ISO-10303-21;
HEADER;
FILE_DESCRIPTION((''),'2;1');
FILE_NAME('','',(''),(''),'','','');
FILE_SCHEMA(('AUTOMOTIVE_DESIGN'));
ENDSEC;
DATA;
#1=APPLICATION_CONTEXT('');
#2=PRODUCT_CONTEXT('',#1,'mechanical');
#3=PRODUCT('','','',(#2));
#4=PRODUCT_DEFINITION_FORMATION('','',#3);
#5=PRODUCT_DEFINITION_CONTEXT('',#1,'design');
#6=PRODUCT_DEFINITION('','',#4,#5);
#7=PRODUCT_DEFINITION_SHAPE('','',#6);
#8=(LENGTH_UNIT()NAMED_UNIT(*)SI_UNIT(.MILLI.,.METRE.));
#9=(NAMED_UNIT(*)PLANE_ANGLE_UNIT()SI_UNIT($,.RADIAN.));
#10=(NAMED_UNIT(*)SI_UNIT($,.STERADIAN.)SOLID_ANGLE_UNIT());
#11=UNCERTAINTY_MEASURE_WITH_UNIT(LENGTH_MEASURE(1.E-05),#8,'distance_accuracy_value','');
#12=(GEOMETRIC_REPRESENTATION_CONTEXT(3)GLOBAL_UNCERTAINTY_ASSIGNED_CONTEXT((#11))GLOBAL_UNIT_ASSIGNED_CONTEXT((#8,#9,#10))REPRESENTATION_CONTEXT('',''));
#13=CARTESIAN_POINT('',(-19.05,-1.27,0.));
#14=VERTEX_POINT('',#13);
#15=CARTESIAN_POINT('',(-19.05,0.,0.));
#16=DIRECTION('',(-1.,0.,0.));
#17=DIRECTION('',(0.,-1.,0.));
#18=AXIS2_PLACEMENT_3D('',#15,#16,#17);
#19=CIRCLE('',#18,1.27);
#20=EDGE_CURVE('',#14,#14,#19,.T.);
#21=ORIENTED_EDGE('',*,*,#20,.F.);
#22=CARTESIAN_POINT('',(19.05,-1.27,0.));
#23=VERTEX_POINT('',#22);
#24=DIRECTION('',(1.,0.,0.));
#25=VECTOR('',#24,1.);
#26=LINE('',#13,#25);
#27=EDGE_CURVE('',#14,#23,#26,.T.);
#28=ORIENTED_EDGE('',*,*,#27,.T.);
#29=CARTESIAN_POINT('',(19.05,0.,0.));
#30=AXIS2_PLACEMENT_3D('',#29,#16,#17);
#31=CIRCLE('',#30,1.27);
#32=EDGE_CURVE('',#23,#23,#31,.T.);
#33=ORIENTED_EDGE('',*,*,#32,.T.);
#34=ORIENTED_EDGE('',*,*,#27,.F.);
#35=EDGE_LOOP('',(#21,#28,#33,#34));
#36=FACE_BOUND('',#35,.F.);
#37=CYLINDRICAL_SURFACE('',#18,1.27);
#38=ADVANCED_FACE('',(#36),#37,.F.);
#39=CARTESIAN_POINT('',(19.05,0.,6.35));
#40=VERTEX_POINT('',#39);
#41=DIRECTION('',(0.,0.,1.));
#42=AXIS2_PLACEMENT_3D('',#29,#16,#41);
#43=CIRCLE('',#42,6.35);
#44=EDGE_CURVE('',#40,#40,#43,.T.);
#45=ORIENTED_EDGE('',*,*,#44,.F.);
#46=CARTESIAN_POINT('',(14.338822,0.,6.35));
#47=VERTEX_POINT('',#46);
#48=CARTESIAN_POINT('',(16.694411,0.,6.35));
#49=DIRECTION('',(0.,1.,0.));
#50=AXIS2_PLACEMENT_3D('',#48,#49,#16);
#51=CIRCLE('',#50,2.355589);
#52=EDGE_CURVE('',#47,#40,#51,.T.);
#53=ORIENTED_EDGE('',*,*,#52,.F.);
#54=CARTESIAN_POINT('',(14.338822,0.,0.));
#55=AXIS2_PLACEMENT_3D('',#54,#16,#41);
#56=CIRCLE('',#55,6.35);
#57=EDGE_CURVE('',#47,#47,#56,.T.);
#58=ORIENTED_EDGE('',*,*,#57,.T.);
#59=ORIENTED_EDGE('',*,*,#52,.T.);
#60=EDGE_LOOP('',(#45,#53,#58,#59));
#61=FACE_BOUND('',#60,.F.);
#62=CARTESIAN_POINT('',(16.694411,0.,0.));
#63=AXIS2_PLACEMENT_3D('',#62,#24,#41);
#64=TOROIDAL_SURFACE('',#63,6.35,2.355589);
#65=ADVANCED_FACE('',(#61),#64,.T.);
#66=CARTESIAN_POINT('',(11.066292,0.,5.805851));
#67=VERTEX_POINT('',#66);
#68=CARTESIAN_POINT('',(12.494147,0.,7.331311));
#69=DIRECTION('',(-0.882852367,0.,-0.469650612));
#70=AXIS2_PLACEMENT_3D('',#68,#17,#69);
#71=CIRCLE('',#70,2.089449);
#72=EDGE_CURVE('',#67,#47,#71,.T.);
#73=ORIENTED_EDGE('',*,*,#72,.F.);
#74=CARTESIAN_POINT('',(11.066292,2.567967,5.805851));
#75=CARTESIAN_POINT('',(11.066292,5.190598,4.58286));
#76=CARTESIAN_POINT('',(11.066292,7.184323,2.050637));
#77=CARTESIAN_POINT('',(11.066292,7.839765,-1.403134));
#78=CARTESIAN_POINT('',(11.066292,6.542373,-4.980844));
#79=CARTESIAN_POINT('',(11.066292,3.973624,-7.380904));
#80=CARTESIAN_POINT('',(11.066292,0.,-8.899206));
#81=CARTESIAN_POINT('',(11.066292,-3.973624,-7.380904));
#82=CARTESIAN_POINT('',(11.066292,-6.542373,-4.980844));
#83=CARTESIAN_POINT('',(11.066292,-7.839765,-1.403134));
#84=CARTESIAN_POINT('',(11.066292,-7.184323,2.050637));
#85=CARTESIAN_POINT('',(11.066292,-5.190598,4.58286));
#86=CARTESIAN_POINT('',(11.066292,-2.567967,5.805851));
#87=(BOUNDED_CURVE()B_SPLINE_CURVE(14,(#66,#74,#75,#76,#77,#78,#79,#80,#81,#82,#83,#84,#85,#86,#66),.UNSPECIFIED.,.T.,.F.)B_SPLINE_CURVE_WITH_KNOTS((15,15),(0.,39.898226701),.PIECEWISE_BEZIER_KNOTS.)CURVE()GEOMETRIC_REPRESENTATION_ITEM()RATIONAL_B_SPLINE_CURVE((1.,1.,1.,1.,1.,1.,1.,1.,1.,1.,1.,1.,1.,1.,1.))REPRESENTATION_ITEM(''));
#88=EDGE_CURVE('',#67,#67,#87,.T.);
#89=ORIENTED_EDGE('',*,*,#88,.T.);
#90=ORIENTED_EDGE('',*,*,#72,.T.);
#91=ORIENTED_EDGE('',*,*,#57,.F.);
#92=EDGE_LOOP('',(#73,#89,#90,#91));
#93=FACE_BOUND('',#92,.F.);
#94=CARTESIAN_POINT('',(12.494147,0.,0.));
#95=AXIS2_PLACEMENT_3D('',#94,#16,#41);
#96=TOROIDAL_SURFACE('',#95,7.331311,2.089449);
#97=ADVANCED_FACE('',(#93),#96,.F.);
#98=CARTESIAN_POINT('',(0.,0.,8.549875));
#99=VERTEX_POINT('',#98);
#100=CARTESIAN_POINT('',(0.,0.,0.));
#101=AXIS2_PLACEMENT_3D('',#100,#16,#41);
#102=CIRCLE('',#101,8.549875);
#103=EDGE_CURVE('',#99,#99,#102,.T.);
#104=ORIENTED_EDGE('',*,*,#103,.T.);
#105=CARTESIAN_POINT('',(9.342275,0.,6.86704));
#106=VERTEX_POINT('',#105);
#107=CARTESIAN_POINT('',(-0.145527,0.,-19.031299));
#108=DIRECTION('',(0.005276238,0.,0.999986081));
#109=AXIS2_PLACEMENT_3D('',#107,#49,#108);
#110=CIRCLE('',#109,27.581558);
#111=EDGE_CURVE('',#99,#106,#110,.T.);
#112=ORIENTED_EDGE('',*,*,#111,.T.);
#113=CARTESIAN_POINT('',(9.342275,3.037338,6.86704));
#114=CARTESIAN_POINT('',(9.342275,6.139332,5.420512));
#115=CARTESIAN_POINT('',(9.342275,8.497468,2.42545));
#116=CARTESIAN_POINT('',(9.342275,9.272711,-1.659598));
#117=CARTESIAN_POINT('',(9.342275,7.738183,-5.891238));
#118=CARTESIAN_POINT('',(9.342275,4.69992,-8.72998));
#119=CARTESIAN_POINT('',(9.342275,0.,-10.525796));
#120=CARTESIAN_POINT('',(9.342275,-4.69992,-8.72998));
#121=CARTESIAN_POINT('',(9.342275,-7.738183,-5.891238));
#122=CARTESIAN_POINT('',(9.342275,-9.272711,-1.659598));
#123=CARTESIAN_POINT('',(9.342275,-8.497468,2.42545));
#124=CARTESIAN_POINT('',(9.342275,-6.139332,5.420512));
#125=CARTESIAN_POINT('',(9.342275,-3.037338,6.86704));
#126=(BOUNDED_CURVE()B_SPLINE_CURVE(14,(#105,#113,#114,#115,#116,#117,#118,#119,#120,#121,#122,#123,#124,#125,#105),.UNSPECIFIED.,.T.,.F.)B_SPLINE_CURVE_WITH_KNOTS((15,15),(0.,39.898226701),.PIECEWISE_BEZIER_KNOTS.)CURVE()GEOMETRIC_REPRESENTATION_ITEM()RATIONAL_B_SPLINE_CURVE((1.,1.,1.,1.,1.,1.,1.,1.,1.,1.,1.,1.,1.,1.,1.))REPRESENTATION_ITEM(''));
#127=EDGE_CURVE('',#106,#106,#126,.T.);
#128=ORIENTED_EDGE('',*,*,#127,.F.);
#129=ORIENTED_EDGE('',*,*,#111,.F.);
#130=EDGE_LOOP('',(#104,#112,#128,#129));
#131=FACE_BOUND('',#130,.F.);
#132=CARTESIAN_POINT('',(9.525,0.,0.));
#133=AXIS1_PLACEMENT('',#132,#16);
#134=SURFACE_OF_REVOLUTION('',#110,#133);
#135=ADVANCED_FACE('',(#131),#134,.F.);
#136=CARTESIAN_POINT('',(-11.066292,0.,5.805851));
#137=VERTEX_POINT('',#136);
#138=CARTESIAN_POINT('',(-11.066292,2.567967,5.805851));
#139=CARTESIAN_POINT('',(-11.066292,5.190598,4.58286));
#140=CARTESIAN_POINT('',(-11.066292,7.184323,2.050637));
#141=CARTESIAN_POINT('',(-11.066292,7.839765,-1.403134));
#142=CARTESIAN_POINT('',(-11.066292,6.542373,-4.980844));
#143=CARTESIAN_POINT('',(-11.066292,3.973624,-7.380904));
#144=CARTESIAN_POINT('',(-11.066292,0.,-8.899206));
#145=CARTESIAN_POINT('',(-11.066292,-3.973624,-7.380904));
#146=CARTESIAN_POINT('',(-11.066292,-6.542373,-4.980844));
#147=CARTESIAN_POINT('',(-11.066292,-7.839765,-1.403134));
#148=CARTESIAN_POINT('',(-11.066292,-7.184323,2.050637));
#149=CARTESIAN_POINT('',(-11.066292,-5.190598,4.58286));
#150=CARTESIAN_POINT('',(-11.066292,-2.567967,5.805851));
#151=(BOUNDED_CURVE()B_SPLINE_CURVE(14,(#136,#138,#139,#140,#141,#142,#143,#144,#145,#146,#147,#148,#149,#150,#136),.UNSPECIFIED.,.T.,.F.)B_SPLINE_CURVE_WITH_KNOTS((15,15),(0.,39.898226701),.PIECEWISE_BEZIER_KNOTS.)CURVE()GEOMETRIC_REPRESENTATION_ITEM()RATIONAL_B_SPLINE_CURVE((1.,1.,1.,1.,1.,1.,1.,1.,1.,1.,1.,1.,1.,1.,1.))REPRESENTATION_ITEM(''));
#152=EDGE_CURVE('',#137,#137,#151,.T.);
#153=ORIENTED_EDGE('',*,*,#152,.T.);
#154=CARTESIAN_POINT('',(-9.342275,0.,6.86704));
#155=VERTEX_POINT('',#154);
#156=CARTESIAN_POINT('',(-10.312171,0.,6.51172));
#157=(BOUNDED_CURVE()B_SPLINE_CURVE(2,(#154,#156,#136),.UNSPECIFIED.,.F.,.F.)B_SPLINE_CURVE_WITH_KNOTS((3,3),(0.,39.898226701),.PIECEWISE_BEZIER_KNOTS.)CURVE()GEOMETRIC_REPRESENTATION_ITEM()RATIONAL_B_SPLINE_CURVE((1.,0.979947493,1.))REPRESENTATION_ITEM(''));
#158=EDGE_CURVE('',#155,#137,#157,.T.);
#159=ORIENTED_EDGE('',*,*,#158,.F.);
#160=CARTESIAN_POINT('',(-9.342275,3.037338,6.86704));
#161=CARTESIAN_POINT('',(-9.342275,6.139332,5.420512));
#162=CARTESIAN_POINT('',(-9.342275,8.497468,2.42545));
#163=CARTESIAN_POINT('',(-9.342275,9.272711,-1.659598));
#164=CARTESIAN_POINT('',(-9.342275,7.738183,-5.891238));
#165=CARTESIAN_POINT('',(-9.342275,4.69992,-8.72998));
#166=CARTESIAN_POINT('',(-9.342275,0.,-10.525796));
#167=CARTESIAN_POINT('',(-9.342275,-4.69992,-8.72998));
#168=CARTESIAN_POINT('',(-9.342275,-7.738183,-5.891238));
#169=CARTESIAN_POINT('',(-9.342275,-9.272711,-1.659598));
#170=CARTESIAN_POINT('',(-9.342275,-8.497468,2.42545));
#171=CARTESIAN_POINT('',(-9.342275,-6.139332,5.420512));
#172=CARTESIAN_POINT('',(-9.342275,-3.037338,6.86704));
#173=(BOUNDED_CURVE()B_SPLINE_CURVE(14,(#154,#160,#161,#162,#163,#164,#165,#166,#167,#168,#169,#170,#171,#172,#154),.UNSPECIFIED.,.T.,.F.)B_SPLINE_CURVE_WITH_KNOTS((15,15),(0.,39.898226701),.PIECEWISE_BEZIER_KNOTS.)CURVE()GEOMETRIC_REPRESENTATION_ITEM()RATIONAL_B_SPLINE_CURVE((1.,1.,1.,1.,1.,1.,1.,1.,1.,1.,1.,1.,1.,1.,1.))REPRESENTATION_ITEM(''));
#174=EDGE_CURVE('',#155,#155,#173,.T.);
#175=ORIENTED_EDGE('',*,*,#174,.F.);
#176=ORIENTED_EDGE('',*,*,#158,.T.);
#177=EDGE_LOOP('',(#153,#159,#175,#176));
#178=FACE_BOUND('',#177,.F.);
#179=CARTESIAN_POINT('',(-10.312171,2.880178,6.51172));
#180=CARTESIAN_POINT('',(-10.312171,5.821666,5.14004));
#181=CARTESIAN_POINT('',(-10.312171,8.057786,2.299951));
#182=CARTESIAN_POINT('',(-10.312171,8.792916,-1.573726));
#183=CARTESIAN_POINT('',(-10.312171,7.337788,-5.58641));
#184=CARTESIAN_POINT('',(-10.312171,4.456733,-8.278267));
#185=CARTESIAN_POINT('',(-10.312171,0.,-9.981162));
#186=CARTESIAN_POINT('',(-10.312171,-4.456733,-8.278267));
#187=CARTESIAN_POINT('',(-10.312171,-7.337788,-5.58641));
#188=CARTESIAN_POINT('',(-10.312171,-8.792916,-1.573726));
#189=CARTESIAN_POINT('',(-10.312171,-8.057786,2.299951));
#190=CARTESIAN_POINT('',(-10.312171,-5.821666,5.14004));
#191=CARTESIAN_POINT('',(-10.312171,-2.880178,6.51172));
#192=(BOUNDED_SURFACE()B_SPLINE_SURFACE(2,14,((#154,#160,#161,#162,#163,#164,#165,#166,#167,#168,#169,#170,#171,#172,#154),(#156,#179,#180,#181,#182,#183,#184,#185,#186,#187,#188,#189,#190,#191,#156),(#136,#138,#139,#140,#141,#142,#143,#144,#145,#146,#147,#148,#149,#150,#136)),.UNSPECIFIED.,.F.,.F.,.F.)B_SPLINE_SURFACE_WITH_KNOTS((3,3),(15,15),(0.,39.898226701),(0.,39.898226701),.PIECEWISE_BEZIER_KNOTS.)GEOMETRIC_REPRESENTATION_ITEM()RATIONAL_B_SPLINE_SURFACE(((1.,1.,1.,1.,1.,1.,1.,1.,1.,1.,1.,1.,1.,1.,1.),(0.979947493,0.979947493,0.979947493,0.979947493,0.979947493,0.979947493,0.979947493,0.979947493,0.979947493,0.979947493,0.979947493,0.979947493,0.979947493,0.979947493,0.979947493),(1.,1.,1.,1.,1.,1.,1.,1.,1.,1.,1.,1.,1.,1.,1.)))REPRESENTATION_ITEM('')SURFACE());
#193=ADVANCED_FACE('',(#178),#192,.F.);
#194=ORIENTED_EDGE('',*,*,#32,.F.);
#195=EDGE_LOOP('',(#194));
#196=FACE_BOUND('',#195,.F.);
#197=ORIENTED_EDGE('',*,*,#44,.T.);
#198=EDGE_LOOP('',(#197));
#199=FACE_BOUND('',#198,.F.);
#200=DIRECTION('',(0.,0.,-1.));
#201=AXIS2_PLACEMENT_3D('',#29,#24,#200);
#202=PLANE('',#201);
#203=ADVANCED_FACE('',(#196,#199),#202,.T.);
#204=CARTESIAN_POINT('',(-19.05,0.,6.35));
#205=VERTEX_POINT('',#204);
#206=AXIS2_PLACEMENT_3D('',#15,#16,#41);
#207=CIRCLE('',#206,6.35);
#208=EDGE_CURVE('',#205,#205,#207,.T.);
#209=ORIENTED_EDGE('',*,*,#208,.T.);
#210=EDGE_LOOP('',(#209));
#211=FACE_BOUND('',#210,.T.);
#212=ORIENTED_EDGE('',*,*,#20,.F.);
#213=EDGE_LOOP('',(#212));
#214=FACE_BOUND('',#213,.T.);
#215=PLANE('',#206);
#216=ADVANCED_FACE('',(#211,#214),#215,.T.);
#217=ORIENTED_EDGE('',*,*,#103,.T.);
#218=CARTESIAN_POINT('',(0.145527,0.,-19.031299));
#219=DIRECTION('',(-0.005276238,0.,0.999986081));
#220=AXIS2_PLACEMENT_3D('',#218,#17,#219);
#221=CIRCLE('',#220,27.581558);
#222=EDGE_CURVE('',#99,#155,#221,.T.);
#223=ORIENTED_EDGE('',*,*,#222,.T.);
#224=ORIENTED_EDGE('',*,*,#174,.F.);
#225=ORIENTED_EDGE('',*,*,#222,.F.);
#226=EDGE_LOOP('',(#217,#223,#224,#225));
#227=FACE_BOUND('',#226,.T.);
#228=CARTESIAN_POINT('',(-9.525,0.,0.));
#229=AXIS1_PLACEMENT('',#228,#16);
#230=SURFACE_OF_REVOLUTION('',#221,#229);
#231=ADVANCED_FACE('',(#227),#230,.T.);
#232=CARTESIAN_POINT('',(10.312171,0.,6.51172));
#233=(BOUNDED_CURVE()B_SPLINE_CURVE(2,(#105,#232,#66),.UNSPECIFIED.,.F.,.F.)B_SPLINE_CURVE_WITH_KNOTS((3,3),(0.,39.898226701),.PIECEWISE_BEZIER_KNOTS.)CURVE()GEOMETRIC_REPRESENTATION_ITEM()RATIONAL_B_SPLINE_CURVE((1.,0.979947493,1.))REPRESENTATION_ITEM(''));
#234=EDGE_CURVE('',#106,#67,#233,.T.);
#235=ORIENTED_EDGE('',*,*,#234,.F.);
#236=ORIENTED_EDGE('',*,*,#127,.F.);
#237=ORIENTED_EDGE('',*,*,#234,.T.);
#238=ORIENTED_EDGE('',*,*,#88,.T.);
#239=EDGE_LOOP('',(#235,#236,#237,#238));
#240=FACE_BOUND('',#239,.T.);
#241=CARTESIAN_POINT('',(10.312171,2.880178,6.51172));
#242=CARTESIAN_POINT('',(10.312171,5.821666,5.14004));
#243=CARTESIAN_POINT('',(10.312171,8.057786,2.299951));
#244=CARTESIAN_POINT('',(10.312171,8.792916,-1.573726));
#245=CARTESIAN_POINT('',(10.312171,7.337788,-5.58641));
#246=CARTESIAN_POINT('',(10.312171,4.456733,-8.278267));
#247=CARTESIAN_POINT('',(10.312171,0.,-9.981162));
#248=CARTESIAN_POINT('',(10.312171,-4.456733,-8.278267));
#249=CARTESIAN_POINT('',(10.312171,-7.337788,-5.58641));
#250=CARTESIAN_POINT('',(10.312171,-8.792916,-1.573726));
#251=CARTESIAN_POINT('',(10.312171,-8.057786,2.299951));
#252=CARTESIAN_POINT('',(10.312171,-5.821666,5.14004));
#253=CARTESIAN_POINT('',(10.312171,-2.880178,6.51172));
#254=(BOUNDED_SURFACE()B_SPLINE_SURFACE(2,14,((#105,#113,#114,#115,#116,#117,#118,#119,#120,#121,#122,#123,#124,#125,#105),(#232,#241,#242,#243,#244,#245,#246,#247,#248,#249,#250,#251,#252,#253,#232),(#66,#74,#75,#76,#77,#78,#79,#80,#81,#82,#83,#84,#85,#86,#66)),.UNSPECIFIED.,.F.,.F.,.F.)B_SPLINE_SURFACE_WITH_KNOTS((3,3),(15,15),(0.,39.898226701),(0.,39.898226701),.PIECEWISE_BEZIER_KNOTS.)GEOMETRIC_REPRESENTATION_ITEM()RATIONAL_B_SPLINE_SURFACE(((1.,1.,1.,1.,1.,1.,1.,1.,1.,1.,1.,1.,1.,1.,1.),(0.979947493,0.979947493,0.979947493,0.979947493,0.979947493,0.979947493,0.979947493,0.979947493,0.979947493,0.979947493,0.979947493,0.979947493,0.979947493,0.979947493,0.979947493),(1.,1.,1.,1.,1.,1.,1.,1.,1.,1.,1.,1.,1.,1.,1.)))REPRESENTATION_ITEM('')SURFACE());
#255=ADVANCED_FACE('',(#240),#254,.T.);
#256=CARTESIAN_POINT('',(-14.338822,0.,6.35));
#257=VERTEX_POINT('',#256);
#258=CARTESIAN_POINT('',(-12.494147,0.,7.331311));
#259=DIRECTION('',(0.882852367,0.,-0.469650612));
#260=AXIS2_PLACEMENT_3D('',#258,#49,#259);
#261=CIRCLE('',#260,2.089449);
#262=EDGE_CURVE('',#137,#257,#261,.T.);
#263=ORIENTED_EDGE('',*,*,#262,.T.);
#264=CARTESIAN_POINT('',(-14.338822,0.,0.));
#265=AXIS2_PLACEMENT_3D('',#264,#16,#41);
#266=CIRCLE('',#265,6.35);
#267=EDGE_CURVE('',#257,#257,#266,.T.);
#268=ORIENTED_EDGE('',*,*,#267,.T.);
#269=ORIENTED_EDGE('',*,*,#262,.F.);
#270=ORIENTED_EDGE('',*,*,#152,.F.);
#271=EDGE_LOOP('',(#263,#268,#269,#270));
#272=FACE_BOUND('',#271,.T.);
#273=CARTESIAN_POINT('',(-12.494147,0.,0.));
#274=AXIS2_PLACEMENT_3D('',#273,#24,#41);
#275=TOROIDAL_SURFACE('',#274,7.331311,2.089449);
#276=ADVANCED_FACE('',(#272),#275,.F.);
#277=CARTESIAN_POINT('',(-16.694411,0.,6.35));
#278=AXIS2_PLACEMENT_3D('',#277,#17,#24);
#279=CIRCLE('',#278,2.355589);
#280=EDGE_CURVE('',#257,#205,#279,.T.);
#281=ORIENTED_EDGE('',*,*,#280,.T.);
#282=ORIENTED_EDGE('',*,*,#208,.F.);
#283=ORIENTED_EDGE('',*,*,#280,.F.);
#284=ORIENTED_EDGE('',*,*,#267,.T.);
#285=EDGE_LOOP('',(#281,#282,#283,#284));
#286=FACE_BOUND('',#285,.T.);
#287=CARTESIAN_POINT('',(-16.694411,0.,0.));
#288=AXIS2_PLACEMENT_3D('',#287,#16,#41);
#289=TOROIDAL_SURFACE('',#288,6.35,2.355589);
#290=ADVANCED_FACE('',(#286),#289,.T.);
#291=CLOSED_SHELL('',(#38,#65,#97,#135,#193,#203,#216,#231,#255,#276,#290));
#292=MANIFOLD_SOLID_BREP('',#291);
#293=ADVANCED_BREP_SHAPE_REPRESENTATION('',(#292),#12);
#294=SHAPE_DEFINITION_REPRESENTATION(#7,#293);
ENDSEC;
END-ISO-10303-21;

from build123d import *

# Parameters (mm, degrees)
F2_R     = 5.08
F4_R     = 1.27
F5_DEPTH = 38.101


with BuildPart() as f1:
    # F0 (on Front) → F1 (revolve)
    with BuildSketch(Plane.XZ):
        with BuildLine():
            Line((-19.05, 6.35), (-19.05, 0))
            Line((-19.05, 0), (0, 0))
            Line((0, 0), (0, 8.549875))
            ThreePointArc((0, 8.549875), (-5.434225, 7.979971), (-10.649472, 6.35))
            ThreePointArc((-10.649472, 6.35), (-12.494147, 5.241862), (-14.338822, 6.35))
            ThreePointArc((-14.338822, 6.35), (-16.694411, 8.705589), (-19.05, 6.35))
        make_face()
    revolve(axis=Axis((-9.525, 0, 0), (-1, 0, 0)))

    # F2
    f2_edges = [f1.edges().sort_by_distance(p)[0] for p in [
        (-10.649472, 0, -6.35),
    ]]
    fillet(f2_edges, radius=F2_R)

    # F3: F1 across plane


with BuildPart() as f1_1:
    add(f1.part)
    add(f1.part.mirror(Plane.YZ))

    # F4 (on face) → F5 (cut, through all)
    with BuildSketch(Plane(origin=(-19.05, 0, 0), x_dir=(0, -1, 0), z_dir=(-1, 0, 0))):
        Circle(F4_R)
    extrude(amount=-F5_DEPTH, mode=Mode.SUBTRACT)


solid = f1_1.part
